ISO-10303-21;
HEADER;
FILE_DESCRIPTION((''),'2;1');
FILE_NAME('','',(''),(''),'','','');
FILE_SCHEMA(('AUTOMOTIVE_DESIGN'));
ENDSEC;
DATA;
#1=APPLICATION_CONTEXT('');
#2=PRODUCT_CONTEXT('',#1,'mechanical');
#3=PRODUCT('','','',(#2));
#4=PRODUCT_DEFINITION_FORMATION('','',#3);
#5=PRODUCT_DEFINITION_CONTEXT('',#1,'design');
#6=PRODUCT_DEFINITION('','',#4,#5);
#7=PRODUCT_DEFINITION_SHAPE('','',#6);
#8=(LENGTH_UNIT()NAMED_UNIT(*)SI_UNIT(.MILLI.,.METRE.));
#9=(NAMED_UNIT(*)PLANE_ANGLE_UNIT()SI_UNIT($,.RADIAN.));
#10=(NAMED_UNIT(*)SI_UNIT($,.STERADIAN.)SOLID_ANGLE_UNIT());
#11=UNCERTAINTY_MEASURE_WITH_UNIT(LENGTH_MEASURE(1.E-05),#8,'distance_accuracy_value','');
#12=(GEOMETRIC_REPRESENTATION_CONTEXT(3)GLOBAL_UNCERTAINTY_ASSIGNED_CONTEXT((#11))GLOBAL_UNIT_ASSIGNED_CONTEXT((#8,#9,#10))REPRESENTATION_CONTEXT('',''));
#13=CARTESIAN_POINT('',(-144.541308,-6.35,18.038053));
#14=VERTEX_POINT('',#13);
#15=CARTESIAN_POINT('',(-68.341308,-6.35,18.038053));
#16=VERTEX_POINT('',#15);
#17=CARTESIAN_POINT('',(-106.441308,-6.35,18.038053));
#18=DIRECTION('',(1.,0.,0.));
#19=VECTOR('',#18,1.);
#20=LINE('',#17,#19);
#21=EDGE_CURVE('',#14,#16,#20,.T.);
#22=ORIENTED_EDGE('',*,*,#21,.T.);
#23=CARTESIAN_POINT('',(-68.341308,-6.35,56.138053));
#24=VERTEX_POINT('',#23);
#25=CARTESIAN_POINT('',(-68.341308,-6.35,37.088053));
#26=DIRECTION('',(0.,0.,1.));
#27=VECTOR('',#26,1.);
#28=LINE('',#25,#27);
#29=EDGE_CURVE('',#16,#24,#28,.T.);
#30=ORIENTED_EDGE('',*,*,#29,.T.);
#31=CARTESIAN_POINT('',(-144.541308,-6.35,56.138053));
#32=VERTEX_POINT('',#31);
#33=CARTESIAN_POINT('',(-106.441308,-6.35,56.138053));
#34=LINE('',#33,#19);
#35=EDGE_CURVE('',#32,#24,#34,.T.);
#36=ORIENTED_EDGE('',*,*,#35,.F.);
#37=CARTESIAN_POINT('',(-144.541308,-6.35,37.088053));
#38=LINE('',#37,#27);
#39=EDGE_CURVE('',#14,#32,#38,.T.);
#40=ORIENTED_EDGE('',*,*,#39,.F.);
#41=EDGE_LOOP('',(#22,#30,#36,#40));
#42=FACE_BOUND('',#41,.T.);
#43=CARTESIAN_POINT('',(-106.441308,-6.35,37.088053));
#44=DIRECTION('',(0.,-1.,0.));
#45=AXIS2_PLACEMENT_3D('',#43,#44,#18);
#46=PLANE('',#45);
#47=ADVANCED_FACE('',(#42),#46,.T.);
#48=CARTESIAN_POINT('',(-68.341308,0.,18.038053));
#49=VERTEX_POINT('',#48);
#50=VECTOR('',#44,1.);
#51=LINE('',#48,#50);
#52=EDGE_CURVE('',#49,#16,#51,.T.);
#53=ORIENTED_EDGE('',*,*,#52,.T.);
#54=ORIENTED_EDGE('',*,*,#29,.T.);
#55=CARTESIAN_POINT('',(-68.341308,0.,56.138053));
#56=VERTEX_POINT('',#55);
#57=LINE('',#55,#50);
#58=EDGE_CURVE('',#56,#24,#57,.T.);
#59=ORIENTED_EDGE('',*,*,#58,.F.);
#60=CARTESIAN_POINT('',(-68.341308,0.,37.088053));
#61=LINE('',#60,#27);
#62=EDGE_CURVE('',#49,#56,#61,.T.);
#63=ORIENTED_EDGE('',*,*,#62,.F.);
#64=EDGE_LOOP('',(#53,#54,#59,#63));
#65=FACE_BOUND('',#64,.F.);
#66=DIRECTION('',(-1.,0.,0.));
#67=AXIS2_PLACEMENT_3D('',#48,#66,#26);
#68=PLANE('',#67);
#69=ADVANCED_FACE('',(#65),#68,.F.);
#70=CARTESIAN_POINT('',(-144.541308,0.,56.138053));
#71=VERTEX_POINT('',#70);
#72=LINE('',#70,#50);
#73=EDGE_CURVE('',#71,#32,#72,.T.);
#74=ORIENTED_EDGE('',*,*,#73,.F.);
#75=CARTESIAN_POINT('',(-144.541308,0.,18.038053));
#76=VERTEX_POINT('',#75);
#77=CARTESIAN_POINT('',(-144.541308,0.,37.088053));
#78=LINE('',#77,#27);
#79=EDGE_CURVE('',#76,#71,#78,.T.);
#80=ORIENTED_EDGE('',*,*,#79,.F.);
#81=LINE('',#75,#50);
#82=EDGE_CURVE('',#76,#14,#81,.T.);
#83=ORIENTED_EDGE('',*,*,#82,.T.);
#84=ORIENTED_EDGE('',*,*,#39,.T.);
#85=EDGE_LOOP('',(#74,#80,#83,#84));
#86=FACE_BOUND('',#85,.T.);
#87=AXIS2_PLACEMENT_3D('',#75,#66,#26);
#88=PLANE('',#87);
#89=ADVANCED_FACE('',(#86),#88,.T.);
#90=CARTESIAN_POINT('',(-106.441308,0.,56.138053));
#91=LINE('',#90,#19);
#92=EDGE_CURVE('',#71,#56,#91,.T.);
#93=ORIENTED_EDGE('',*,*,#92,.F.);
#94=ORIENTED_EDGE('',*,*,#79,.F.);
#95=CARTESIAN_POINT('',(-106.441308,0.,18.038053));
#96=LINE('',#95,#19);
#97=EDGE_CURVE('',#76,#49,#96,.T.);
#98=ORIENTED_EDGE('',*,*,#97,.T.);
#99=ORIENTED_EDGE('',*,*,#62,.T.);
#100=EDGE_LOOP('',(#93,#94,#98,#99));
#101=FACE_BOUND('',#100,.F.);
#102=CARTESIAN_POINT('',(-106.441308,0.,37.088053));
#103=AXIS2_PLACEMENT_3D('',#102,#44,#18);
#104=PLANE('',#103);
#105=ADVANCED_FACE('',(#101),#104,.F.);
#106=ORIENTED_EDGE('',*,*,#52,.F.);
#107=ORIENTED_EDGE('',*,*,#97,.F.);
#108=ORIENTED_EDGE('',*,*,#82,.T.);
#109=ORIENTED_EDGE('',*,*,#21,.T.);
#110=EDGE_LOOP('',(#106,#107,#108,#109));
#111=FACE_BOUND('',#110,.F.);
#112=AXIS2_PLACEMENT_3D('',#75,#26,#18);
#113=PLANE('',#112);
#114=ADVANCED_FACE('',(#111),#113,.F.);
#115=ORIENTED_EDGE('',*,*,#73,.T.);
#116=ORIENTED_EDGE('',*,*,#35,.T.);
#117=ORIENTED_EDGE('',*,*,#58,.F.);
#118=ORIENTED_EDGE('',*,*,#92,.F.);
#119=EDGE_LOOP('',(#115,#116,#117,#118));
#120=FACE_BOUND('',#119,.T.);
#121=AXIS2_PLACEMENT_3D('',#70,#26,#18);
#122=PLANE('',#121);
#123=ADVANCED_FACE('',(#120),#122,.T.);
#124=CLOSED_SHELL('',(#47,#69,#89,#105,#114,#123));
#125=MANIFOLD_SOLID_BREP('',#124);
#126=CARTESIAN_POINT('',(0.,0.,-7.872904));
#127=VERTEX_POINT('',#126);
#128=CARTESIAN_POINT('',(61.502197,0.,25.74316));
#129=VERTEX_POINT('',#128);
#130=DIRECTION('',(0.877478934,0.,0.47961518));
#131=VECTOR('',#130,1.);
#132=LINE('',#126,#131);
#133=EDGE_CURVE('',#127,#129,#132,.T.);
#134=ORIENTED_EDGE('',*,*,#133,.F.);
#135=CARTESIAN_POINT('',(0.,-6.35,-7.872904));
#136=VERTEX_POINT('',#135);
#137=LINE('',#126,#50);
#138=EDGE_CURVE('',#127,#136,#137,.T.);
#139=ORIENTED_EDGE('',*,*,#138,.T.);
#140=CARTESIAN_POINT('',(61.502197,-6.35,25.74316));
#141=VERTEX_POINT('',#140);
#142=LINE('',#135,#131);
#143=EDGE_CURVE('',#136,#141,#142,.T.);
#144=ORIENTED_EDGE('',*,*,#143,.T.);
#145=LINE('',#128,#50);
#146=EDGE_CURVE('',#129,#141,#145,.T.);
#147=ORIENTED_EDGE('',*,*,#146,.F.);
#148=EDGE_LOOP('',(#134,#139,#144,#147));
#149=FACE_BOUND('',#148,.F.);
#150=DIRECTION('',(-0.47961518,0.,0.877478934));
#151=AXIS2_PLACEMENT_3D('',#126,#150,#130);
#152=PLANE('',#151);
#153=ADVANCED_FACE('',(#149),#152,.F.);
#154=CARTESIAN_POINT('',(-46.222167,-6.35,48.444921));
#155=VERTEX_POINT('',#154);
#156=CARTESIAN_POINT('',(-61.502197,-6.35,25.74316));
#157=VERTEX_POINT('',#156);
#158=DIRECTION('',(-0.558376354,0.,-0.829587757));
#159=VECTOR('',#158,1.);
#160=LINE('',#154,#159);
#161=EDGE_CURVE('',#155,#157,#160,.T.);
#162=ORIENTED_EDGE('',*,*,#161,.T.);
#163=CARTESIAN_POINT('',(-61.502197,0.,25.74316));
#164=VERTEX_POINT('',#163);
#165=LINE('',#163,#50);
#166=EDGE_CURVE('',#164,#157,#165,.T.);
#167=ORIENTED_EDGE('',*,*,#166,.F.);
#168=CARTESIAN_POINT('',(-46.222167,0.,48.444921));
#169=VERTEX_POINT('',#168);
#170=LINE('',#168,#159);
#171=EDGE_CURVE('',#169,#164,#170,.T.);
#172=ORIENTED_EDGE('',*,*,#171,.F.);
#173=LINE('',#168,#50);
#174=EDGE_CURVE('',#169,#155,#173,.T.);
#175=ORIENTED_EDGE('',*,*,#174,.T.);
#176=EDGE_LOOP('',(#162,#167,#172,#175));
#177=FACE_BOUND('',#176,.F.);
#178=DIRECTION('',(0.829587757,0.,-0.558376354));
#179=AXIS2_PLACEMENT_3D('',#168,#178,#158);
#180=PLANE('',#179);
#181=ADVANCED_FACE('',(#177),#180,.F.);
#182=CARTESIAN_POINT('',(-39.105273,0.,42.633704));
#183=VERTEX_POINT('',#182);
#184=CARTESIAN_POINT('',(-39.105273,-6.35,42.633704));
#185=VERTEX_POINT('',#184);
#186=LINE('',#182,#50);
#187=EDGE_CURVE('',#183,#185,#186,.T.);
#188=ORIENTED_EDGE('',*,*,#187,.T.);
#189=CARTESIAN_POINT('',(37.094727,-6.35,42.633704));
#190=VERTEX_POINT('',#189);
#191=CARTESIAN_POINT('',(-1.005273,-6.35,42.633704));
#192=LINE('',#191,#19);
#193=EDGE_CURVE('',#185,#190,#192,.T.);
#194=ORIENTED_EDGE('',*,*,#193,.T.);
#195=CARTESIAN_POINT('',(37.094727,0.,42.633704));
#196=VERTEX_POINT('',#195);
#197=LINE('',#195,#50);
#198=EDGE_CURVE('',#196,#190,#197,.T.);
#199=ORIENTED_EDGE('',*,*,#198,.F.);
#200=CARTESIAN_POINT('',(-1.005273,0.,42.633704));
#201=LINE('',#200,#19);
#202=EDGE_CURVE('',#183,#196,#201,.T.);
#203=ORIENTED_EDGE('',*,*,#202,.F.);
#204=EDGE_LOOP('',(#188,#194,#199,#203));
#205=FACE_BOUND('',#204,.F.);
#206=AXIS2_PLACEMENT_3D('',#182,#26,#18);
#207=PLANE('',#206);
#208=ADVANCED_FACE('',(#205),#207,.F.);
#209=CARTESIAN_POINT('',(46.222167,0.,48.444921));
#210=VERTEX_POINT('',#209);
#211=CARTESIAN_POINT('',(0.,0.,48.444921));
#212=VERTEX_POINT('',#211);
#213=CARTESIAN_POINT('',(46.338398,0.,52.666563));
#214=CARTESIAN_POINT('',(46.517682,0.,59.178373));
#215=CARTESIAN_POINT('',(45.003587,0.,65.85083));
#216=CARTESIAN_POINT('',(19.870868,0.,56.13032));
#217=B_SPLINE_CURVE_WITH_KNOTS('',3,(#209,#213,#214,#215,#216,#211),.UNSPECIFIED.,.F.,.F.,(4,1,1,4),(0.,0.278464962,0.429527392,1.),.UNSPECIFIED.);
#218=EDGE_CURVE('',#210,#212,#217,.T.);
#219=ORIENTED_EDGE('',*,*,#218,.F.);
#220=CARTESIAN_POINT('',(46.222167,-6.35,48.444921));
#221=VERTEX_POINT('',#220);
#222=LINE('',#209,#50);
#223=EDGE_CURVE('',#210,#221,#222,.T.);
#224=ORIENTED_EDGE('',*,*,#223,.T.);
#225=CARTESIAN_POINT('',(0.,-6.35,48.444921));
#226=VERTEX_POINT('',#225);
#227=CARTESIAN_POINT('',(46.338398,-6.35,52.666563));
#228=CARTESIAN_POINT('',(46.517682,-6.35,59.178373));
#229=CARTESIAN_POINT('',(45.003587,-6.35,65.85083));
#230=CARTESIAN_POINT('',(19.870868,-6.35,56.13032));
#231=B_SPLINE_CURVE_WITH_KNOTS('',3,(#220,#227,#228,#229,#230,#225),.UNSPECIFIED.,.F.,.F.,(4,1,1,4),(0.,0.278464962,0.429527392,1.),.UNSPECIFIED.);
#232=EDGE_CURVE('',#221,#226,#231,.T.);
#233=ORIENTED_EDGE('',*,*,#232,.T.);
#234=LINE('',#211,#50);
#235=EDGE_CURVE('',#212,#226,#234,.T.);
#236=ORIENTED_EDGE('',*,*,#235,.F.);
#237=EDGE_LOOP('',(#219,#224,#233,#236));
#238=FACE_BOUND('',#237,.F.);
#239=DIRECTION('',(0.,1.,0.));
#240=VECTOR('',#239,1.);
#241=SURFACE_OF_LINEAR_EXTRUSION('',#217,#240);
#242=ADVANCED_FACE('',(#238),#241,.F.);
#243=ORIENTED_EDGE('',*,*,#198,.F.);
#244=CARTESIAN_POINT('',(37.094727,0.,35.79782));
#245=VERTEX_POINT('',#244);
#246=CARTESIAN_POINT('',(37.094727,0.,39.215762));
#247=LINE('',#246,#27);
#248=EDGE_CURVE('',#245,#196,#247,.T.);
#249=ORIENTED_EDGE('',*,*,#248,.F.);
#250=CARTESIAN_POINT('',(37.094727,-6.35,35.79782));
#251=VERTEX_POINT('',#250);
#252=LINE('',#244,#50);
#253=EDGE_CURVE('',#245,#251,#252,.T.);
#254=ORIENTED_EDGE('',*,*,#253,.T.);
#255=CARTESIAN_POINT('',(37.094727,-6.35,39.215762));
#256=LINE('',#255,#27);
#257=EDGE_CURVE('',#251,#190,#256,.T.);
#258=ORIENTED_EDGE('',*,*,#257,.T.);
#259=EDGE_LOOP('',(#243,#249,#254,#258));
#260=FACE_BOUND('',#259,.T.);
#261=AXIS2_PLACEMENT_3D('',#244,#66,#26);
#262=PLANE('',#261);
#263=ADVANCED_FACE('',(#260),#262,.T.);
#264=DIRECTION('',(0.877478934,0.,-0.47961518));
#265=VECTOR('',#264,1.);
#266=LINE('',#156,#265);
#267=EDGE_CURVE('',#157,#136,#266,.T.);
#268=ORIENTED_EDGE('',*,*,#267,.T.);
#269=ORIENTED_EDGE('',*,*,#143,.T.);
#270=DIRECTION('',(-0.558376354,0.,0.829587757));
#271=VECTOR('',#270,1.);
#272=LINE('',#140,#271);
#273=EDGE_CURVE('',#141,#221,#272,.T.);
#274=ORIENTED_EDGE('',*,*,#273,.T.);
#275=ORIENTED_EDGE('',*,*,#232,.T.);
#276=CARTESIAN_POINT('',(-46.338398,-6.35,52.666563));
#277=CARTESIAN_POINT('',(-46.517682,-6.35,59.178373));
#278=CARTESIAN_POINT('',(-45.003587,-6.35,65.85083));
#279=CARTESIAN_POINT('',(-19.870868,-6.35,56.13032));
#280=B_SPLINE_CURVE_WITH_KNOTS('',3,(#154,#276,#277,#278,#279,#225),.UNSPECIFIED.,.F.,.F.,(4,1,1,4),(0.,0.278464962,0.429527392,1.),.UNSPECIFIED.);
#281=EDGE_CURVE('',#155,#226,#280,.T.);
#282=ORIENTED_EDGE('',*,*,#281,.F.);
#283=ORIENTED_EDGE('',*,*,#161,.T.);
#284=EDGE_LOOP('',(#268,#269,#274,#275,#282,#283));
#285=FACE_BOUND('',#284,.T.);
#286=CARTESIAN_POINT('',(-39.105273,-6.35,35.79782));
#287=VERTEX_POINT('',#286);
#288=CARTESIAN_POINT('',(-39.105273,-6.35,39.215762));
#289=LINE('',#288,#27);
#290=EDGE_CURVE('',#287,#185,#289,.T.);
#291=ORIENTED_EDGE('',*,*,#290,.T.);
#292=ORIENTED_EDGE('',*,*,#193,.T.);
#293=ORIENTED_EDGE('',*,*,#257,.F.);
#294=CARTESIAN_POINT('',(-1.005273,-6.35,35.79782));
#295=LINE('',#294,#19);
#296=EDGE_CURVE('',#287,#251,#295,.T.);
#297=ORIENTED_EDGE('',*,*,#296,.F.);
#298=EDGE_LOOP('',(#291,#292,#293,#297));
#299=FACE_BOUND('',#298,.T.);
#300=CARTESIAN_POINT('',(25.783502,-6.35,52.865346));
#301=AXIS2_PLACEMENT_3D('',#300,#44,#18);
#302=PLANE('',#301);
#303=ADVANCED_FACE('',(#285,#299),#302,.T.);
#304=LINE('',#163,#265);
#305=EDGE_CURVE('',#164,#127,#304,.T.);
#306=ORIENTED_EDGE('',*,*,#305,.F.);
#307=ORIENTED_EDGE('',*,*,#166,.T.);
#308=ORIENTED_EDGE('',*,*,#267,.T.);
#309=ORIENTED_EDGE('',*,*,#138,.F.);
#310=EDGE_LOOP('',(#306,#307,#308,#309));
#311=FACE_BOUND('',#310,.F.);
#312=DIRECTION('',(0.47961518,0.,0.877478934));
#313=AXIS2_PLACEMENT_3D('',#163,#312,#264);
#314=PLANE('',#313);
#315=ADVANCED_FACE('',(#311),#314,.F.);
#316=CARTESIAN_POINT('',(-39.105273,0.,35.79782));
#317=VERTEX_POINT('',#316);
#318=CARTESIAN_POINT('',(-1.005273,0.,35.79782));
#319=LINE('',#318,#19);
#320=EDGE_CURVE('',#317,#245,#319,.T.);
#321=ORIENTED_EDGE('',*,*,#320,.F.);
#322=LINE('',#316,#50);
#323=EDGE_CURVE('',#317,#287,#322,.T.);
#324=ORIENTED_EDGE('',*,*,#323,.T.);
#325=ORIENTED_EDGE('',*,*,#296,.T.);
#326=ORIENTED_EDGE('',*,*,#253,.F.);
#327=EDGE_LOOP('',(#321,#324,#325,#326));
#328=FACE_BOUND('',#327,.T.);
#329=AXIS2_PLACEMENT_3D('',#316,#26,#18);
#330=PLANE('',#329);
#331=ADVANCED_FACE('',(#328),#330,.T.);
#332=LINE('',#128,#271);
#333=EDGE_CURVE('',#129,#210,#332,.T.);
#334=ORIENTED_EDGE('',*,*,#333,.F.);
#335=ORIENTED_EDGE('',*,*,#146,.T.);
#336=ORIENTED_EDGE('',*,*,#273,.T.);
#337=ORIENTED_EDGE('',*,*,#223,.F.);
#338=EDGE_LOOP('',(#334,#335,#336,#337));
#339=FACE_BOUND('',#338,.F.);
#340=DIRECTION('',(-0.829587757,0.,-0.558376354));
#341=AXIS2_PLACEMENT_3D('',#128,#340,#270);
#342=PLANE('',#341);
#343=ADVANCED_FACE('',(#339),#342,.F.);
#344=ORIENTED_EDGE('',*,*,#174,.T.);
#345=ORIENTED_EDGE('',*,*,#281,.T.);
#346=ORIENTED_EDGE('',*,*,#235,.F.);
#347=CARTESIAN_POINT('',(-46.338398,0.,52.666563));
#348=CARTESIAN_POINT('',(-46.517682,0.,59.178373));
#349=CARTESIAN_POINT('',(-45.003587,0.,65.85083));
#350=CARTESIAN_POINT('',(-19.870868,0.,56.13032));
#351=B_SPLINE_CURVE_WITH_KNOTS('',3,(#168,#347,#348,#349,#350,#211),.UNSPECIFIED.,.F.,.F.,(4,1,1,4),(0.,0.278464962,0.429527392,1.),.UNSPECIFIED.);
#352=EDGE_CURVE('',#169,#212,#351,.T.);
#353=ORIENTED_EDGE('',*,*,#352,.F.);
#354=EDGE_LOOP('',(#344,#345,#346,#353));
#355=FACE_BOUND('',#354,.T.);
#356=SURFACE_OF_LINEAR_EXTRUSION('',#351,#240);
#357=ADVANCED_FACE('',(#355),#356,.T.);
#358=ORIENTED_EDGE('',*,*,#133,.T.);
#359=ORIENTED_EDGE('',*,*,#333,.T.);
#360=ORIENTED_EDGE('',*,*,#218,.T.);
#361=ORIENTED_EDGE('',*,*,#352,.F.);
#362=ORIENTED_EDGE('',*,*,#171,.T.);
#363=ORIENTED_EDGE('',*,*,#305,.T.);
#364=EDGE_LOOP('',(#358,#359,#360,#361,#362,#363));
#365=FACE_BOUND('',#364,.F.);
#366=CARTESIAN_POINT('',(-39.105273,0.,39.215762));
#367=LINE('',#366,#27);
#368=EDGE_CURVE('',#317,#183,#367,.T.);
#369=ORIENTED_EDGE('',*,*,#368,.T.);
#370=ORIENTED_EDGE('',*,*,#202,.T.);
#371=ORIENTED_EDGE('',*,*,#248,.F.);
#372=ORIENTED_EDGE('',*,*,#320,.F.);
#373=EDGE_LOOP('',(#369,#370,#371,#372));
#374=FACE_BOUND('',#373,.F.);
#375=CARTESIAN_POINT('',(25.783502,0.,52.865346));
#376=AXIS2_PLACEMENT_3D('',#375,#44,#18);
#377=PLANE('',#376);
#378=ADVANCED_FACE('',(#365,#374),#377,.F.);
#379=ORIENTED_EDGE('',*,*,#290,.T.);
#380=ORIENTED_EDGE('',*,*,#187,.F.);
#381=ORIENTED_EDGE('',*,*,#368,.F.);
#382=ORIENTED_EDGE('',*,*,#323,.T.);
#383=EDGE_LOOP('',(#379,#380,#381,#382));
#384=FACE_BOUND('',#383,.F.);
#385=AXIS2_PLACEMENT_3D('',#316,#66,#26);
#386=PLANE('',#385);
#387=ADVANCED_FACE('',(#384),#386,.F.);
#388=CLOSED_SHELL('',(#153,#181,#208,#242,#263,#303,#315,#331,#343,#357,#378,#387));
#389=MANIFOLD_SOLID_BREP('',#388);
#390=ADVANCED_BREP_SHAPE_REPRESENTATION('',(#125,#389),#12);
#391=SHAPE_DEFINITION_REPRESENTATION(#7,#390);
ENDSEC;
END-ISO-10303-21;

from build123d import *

# Parameters (mm, degrees)
F0_W     = 76.2
F0_H     = 6.8358847338
F1_DEPTH = 6.35
F0_H_2   = 38.1


with BuildPart() as f1:
    # F0 (on Front) → F1 (new body)
    with BuildSketch(Plane.XZ):
        with BuildLine():
            add(Edge.make_bspline(
                [(46.2221666575, 48.4449205091), (46.3383978199, 52.6665628684), (46.5176823791, 59.1783732528), (45.0035869892, 65.8508295622), (19.8708681973, 56.1303195581), (0, 48.4449205091)],
                knots=[0, 0, 0, 0, 0.2784649622, 0.429527392, 1, 1, 1, 1], degree=3))
            Line((0, 48.4449205091), (46.2221666575, 48.4449205091))
        make_face()
        Polygon((46.2221666575, 48.4449205091), (0, 48.4449205091), (-46.2221666575, 48.4449205091), (-61.5021972923, 25.7431598613), (0, -7.8729035217), (61.5021972923, 25.7431598613), align=None)
        with Locations((-1.0052731635, 39.215762071)):
            Rectangle(F0_W, F0_H, mode=Mode.SUBTRACT)
        with BuildLine():
            Line((-46.2221666575, 48.4449205091), (0, 48.4449205091))
            add(Edge.make_bspline(
                [(-46.2221666575, 48.4449205091), (-46.3383978199, 52.6665628684), (-46.5176823791, 59.1783732528), (-45.0035869892, 65.8508295622), (-19.8708681973, 56.1303195581), (0, 48.4449205091)],
                knots=[0, 0, 0, 0, 0.2784649622, 0.429527392, 1, 1, 1, 1], degree=3))
        make_face()
    extrude(amount=F1_DEPTH)


with BuildPart() as f1b:
    # F0 (on Front) → F1, piece 2 (new body)
    with BuildSketch(Plane.XZ):
        with Locations((-106.4413082838, 37.0880530655)):
            Rectangle(F0_W, F0_H_2)
    extrude(amount=F1_DEPTH)


solid = Compound([f1.part, f1b.part])
